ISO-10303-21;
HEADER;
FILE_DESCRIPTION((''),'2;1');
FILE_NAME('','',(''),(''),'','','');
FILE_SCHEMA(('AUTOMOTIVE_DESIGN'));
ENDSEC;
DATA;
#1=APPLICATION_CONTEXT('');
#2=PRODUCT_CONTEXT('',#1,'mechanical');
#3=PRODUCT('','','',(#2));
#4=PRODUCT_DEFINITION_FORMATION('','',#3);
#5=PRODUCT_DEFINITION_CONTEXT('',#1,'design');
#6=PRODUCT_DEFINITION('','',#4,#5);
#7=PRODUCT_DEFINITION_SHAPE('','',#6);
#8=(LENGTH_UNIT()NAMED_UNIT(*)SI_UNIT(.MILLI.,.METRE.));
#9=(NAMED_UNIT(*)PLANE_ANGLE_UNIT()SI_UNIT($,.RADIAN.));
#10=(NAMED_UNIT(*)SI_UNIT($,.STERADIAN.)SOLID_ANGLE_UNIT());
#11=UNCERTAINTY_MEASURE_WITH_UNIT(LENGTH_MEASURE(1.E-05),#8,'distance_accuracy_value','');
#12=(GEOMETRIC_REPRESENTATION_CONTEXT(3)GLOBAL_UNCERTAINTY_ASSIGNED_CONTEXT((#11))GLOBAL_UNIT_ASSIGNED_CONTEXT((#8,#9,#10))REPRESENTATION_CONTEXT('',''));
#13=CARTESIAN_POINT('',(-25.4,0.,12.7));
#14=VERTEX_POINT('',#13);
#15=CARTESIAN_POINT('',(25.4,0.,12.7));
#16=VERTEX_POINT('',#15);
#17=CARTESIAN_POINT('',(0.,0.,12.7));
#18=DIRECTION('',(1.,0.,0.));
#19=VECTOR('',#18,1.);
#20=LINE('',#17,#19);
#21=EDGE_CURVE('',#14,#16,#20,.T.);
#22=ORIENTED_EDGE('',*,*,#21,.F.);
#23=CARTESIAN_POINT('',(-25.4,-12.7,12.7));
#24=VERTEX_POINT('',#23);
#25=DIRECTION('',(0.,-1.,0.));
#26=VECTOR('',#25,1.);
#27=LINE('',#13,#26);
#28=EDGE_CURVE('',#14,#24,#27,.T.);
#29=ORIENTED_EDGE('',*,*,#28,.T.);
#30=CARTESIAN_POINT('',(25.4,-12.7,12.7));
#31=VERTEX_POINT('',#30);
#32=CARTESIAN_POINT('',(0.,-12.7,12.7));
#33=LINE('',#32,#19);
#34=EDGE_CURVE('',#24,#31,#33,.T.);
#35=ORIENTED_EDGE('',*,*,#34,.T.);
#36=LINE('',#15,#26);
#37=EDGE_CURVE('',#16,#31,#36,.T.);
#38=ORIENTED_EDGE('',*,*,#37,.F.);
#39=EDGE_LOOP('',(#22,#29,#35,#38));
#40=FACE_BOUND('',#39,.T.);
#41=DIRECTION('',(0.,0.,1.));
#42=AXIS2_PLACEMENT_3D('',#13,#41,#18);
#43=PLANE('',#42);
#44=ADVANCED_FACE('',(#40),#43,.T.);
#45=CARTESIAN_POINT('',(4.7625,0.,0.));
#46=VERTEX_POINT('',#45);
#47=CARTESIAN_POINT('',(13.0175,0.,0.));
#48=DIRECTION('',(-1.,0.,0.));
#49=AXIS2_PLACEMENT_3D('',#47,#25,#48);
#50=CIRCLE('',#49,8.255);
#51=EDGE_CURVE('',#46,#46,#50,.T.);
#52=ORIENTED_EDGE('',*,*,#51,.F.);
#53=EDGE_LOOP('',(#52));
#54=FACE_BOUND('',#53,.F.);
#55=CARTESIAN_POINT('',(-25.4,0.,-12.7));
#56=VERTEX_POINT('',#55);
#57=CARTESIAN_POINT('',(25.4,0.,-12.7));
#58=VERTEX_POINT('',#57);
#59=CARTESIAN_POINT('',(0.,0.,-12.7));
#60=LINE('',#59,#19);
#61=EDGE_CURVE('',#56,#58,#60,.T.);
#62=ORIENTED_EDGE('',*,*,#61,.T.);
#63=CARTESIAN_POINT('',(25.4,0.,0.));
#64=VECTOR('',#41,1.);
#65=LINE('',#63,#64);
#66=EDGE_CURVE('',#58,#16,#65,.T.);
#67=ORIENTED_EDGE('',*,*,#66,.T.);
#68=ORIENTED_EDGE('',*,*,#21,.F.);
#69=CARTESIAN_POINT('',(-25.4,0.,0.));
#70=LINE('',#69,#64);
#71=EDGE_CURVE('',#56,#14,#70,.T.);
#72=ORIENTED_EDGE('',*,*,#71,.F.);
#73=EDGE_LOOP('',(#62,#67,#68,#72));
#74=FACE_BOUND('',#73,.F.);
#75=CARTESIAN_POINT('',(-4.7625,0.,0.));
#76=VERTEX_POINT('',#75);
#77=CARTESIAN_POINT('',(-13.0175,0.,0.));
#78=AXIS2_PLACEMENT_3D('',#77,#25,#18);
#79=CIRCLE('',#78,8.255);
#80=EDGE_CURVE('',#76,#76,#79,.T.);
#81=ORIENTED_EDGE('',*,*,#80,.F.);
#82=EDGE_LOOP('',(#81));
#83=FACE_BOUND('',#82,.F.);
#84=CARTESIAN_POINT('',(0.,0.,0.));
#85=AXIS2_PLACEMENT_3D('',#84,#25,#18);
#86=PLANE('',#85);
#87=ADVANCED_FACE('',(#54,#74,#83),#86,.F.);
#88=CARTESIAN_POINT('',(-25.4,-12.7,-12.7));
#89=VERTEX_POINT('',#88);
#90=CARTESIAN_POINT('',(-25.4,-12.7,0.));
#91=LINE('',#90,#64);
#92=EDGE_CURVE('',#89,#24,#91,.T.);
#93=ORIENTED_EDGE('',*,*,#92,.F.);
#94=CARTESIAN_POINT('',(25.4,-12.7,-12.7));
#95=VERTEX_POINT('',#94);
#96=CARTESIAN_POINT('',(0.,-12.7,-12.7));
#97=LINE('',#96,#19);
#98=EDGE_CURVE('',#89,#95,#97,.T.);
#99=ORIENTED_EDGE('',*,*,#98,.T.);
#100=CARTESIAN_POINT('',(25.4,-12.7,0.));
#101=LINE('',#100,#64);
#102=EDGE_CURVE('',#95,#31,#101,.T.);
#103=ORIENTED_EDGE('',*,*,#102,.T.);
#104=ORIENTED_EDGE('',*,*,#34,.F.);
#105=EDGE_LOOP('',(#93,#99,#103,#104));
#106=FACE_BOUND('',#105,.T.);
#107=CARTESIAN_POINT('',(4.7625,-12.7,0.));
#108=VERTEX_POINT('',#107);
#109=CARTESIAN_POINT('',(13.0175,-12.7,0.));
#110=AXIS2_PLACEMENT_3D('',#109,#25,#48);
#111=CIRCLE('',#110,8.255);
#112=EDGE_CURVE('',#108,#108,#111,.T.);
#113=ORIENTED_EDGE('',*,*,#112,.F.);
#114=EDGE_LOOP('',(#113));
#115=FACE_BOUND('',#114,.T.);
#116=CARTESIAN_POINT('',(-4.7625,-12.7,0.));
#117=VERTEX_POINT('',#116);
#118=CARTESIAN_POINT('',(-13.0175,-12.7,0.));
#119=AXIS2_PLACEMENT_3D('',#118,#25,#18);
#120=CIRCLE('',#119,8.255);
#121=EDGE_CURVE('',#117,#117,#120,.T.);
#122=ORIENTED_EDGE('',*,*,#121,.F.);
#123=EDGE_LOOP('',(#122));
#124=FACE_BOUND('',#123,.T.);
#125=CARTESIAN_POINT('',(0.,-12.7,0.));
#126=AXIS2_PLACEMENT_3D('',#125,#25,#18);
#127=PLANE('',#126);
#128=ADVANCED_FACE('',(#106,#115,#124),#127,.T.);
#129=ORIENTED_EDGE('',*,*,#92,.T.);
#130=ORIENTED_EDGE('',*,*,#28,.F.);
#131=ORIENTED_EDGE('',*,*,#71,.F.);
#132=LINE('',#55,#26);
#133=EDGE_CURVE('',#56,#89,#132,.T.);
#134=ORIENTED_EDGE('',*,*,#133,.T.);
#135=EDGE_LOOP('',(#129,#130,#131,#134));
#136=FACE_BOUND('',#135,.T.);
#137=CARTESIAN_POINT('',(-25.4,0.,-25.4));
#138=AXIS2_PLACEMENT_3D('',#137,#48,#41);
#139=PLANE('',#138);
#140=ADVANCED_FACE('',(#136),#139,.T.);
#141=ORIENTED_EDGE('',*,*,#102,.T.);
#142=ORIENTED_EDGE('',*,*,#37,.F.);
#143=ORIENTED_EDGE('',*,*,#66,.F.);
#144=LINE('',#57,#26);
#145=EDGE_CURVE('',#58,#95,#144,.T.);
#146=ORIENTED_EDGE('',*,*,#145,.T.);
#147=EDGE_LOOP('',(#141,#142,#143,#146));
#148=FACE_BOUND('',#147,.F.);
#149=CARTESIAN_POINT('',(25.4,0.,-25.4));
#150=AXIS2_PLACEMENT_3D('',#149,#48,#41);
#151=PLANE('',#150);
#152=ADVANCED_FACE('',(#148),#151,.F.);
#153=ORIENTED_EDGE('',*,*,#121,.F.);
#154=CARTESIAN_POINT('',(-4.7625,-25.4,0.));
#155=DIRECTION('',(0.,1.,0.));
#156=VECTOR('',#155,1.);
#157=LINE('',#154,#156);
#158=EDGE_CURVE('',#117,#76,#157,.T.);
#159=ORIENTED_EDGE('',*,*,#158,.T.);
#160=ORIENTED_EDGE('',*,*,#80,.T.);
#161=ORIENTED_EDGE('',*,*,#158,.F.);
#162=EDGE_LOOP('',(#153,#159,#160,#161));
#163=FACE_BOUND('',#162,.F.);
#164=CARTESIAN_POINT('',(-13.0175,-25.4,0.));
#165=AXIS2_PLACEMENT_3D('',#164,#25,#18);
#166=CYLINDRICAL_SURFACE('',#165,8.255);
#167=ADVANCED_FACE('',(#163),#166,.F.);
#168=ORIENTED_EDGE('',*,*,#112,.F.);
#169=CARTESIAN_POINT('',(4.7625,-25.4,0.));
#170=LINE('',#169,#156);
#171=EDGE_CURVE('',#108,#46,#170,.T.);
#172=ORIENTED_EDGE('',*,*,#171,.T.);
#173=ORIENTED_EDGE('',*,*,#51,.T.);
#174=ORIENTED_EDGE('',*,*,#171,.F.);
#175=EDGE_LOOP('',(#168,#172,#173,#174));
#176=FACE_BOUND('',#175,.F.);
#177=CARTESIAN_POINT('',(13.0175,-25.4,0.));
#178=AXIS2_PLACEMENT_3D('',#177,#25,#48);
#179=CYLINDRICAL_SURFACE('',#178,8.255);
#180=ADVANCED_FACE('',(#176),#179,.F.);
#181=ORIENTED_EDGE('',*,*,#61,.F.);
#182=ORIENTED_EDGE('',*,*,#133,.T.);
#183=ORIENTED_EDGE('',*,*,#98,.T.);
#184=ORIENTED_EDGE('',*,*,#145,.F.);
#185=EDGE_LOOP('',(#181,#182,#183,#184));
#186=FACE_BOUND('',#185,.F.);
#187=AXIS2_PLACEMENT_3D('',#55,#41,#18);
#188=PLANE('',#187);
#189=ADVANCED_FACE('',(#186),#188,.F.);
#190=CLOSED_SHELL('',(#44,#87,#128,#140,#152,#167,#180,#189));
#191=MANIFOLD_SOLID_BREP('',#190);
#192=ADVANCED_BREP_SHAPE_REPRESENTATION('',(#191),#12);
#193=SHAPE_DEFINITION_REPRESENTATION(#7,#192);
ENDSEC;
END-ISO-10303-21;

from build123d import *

# Parameters (mm, degrees)
F0_W     = 50.8
F0_H     = 50.8
F1_DEPTH = 25.4
F2_R     = 8.255
F3_DEPTH = 25.4
F4_DEPTH = 12.7
F5_DEPTH = 12.7
F6_DEPTH = 12.7


with BuildPart() as f1:
    # F0 (on Front) → F1 (new body)
    with BuildSketch(Plane.XZ):
        Rectangle(F0_W, F0_H)
    extrude(amount=F1_DEPTH)

    # F2 (on face) → F3 (cut)
    with BuildSketch(Plane.XZ.offset(25.4)):
        with Locations((-13.0175, 0)):
            Circle(F2_R)
        with BuildLine():
            ThreePointArc((21.2725, 0), (13.0175, 8.255), (4.7625, 0))
            ThreePointArc((4.7625, 0), (13.0175, -8.255), (21.2725, 0))
        make_face()
    extrude(amount=-F3_DEPTH, mode=Mode.SUBTRACT)

    # F4 (cut): a face of the model
    f4_faces = [f1.faces().sort_by_distance(p)[0] for p in [
        (0, -25.4, 0),
    ]]
    extrude(f4_faces, amount=-F4_DEPTH, mode=Mode.SUBTRACT)

    # F5 (cut): a face of the model
    f5_faces = [f1.faces().sort_by_distance(p)[0] for p in [
        (0, -6.35, 25.4),
    ]]
    extrude(f5_faces, amount=-F5_DEPTH, mode=Mode.SUBTRACT)

    # F6 (cut): a face of the model
    f6_faces = [f1.faces().sort_by_distance(p)[0] for p in [
        (0, -6.35, -25.4),
    ]]
    extrude(f6_faces, amount=-F6_DEPTH, mode=Mode.SUBTRACT)


solid = f1.part
